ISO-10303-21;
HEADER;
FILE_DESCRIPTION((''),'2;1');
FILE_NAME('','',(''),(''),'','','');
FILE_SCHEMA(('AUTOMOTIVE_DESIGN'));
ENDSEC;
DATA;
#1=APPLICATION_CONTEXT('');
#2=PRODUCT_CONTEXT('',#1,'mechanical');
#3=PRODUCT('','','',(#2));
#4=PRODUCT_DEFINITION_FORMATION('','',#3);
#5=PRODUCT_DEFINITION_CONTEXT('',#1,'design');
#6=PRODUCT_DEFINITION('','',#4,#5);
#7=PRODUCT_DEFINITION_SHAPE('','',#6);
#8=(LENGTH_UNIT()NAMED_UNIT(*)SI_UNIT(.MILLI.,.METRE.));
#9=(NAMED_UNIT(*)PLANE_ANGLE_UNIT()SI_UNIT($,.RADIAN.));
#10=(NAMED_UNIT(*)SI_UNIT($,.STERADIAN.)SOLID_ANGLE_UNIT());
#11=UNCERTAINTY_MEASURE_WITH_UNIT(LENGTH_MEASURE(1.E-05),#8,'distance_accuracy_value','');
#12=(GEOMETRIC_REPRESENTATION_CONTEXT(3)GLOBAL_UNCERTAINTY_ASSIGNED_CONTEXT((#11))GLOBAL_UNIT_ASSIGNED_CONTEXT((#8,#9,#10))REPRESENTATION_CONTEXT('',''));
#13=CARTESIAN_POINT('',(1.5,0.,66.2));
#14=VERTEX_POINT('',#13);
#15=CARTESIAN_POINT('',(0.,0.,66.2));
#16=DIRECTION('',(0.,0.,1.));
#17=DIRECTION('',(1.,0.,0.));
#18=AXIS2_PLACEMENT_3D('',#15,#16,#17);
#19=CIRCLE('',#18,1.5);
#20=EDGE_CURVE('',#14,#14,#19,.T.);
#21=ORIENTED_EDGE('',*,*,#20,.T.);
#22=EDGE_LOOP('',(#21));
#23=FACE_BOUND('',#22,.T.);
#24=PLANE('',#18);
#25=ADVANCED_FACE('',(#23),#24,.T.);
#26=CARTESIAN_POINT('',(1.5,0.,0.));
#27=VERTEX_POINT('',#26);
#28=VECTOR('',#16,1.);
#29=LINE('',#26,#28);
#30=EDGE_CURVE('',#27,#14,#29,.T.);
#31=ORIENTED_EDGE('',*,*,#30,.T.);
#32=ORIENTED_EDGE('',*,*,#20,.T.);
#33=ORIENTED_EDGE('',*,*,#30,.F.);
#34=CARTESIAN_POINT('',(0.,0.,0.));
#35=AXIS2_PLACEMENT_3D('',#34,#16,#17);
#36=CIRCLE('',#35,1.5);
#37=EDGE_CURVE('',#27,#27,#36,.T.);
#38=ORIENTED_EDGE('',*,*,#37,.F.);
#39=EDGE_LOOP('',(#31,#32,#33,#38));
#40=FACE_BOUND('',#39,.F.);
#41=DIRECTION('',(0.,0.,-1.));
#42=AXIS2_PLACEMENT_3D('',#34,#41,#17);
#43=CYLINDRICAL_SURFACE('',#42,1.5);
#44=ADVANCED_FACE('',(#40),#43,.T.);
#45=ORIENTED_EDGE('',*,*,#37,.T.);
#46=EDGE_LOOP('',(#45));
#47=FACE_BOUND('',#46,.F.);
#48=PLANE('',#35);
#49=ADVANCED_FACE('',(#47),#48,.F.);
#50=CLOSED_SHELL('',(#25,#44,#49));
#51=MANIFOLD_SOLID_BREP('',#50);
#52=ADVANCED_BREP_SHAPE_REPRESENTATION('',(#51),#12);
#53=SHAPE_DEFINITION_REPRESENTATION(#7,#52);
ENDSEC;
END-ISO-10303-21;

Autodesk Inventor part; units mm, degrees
ref_plane "YZ Plane" through (0, 0, 0) normal (1, 0, 0) x (0, 1, 0)
ref_plane "XZ Plane" through (0, 0, 0) normal (0, 1, 0) x (-1, 0, 0)
ref_plane "XY Plane" through (0, 0, 0) normal (0, 0, 1) x (1, 0, 0)
sketch "スケッチ1" plane through (0, 0, 0) normal (0, 0, 1) x (1, 0, 0)
  circle A0 centre (0, 0) radius 1.5
  dimension "d0" = 3
extrude "押し出し1" add sketch "スケッチ1" along normal blind 66.2
properties part number "RD015"
